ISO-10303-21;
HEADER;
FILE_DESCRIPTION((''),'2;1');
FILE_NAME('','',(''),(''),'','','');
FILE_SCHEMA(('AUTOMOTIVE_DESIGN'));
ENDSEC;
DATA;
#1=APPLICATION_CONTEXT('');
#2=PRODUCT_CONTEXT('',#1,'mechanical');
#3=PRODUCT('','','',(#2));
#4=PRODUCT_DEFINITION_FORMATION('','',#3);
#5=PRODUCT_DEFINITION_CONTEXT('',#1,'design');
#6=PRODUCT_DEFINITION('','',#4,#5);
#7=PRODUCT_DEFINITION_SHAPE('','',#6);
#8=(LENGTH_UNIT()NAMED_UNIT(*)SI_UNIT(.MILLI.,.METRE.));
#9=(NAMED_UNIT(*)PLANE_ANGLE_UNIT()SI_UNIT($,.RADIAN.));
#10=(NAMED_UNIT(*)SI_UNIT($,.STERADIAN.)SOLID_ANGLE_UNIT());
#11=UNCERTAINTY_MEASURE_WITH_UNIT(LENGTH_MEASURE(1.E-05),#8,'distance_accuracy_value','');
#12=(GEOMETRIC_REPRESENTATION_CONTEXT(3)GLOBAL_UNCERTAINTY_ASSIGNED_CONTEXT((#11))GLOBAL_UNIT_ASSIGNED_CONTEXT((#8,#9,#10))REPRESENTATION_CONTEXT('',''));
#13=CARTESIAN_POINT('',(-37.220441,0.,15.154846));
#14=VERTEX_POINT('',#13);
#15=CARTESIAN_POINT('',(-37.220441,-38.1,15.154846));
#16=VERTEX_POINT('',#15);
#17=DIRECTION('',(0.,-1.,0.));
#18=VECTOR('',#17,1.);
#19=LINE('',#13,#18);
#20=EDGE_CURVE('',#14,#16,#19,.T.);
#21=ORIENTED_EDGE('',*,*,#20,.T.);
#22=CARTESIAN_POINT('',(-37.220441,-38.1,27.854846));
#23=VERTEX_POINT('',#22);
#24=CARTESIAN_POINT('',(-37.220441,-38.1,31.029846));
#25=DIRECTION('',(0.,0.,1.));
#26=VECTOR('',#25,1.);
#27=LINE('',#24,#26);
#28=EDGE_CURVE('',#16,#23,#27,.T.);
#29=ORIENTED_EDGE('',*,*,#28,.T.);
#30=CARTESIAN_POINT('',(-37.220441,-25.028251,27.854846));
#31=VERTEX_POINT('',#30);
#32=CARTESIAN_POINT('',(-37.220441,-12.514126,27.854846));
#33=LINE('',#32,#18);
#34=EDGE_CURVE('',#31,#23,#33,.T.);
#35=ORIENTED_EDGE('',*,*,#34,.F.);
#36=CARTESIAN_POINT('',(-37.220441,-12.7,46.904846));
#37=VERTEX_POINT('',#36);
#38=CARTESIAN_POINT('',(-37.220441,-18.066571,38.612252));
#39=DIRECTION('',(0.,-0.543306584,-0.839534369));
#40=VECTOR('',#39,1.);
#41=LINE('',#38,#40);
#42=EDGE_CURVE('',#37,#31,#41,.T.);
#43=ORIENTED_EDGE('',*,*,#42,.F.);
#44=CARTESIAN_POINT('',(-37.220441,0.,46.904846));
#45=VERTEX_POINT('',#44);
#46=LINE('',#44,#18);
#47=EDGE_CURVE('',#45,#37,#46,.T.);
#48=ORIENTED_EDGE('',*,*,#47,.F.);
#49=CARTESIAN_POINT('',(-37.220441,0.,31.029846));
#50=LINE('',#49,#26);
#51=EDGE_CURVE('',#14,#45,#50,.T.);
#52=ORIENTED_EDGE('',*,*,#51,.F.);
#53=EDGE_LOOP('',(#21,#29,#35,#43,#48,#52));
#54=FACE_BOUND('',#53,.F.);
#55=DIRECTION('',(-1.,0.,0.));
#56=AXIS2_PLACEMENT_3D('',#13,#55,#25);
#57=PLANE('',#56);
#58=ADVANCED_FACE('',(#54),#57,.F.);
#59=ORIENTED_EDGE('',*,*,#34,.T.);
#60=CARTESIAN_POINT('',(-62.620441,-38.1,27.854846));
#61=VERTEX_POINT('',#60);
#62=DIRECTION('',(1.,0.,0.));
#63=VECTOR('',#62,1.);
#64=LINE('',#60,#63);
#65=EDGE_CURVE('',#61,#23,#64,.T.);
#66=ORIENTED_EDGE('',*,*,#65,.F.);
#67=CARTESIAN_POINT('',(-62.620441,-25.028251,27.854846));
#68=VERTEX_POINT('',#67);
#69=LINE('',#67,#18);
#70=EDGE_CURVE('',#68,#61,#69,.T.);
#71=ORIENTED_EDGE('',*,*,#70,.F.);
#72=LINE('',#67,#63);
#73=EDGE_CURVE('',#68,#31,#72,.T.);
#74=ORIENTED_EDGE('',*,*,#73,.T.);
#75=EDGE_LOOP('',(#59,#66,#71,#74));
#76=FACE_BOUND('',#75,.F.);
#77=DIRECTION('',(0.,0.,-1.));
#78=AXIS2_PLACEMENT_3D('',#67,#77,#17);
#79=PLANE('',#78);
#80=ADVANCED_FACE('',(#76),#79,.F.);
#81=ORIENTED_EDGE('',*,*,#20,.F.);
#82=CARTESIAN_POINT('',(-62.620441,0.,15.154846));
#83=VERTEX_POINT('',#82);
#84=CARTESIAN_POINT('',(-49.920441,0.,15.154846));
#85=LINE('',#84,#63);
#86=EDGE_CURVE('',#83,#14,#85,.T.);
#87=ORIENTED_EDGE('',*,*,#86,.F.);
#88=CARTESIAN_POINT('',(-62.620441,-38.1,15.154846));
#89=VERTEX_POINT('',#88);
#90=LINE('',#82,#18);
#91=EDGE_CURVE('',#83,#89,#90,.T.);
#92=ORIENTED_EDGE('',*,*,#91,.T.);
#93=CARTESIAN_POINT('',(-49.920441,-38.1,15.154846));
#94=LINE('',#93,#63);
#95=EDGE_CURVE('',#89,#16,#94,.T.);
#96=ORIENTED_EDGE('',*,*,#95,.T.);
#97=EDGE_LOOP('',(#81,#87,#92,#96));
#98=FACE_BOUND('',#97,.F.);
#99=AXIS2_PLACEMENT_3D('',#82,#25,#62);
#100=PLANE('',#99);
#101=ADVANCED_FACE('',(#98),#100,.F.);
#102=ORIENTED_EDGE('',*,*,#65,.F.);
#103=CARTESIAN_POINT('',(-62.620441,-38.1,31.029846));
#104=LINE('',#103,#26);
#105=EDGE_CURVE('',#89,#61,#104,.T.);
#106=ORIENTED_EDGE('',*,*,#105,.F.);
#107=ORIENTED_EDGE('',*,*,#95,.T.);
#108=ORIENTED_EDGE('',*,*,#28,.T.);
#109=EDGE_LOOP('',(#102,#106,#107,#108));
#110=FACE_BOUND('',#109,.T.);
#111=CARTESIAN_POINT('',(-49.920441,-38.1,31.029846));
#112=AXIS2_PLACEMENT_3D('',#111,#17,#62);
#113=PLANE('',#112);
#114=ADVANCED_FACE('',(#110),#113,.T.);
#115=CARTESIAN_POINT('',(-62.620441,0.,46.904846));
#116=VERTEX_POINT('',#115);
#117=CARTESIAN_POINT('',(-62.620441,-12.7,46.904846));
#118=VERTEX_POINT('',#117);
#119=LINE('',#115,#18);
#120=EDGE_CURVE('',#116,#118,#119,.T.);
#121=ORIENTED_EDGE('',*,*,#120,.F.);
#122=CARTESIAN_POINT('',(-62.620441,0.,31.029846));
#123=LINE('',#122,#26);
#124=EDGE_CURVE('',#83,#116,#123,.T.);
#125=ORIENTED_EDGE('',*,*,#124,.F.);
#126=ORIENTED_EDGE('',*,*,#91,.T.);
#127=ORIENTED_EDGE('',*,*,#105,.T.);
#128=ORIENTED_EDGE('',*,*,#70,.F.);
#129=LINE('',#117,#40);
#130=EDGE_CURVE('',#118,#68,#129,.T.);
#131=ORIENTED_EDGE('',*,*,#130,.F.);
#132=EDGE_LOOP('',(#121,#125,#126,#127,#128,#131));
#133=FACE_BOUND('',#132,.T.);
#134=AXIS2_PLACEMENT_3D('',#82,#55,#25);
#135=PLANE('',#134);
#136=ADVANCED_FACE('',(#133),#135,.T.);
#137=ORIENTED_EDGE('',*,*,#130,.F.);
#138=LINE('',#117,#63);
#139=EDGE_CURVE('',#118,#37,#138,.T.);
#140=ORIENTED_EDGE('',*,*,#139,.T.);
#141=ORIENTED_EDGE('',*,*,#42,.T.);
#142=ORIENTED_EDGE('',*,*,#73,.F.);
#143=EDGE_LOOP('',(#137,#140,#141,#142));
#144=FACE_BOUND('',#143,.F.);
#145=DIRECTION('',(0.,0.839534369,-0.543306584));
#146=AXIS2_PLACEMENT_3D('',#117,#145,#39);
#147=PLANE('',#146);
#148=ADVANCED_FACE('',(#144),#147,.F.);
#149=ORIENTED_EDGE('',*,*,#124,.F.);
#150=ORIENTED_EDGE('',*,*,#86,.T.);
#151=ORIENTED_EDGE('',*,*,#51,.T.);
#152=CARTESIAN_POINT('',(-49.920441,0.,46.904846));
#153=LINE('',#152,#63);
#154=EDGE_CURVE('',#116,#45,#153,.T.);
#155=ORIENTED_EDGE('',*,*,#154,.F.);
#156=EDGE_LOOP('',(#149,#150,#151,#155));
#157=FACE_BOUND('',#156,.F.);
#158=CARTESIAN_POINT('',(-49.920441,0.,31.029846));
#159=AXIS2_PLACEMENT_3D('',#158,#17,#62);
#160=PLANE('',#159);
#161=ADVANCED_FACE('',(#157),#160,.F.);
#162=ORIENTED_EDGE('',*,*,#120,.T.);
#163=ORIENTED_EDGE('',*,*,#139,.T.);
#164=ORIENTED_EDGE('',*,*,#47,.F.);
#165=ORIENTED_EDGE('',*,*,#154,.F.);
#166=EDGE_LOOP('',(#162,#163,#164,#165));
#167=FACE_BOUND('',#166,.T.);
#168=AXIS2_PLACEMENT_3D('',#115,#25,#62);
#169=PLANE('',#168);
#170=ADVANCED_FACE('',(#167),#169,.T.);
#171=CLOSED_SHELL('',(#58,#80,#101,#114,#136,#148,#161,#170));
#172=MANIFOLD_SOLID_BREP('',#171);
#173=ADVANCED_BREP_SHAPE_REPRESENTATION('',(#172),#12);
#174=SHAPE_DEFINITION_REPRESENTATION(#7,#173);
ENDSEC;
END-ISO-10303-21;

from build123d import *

# Parameters (mm, degrees)
F0_W     = 25.4
F0_H     = 31.75
F1_DEPTH = 38.1
F3_DEPTH = 25.401


with BuildPart() as f1:
    # F0 (on Front) → F1 (new body)
    with BuildSketch(Plane.XZ):
        with Locations((-49.920441, 31.029846)):
            Rectangle(F0_W, F0_H)
    extrude(amount=F1_DEPTH)

    # F2 (on face) → F3 (cut, through all)
    with BuildSketch(Plane(origin=(-62.620441, 0, 0), x_dir=(0, -1, 0), z_dir=(-1, 0, 0))):
        Polygon((38.1, 46.904846), (12.7, 46.904846), (25.028251, 27.854846), (38.1, 27.854846), align=None)
    extrude(amount=-F3_DEPTH, mode=Mode.SUBTRACT)


solid = f1.part
